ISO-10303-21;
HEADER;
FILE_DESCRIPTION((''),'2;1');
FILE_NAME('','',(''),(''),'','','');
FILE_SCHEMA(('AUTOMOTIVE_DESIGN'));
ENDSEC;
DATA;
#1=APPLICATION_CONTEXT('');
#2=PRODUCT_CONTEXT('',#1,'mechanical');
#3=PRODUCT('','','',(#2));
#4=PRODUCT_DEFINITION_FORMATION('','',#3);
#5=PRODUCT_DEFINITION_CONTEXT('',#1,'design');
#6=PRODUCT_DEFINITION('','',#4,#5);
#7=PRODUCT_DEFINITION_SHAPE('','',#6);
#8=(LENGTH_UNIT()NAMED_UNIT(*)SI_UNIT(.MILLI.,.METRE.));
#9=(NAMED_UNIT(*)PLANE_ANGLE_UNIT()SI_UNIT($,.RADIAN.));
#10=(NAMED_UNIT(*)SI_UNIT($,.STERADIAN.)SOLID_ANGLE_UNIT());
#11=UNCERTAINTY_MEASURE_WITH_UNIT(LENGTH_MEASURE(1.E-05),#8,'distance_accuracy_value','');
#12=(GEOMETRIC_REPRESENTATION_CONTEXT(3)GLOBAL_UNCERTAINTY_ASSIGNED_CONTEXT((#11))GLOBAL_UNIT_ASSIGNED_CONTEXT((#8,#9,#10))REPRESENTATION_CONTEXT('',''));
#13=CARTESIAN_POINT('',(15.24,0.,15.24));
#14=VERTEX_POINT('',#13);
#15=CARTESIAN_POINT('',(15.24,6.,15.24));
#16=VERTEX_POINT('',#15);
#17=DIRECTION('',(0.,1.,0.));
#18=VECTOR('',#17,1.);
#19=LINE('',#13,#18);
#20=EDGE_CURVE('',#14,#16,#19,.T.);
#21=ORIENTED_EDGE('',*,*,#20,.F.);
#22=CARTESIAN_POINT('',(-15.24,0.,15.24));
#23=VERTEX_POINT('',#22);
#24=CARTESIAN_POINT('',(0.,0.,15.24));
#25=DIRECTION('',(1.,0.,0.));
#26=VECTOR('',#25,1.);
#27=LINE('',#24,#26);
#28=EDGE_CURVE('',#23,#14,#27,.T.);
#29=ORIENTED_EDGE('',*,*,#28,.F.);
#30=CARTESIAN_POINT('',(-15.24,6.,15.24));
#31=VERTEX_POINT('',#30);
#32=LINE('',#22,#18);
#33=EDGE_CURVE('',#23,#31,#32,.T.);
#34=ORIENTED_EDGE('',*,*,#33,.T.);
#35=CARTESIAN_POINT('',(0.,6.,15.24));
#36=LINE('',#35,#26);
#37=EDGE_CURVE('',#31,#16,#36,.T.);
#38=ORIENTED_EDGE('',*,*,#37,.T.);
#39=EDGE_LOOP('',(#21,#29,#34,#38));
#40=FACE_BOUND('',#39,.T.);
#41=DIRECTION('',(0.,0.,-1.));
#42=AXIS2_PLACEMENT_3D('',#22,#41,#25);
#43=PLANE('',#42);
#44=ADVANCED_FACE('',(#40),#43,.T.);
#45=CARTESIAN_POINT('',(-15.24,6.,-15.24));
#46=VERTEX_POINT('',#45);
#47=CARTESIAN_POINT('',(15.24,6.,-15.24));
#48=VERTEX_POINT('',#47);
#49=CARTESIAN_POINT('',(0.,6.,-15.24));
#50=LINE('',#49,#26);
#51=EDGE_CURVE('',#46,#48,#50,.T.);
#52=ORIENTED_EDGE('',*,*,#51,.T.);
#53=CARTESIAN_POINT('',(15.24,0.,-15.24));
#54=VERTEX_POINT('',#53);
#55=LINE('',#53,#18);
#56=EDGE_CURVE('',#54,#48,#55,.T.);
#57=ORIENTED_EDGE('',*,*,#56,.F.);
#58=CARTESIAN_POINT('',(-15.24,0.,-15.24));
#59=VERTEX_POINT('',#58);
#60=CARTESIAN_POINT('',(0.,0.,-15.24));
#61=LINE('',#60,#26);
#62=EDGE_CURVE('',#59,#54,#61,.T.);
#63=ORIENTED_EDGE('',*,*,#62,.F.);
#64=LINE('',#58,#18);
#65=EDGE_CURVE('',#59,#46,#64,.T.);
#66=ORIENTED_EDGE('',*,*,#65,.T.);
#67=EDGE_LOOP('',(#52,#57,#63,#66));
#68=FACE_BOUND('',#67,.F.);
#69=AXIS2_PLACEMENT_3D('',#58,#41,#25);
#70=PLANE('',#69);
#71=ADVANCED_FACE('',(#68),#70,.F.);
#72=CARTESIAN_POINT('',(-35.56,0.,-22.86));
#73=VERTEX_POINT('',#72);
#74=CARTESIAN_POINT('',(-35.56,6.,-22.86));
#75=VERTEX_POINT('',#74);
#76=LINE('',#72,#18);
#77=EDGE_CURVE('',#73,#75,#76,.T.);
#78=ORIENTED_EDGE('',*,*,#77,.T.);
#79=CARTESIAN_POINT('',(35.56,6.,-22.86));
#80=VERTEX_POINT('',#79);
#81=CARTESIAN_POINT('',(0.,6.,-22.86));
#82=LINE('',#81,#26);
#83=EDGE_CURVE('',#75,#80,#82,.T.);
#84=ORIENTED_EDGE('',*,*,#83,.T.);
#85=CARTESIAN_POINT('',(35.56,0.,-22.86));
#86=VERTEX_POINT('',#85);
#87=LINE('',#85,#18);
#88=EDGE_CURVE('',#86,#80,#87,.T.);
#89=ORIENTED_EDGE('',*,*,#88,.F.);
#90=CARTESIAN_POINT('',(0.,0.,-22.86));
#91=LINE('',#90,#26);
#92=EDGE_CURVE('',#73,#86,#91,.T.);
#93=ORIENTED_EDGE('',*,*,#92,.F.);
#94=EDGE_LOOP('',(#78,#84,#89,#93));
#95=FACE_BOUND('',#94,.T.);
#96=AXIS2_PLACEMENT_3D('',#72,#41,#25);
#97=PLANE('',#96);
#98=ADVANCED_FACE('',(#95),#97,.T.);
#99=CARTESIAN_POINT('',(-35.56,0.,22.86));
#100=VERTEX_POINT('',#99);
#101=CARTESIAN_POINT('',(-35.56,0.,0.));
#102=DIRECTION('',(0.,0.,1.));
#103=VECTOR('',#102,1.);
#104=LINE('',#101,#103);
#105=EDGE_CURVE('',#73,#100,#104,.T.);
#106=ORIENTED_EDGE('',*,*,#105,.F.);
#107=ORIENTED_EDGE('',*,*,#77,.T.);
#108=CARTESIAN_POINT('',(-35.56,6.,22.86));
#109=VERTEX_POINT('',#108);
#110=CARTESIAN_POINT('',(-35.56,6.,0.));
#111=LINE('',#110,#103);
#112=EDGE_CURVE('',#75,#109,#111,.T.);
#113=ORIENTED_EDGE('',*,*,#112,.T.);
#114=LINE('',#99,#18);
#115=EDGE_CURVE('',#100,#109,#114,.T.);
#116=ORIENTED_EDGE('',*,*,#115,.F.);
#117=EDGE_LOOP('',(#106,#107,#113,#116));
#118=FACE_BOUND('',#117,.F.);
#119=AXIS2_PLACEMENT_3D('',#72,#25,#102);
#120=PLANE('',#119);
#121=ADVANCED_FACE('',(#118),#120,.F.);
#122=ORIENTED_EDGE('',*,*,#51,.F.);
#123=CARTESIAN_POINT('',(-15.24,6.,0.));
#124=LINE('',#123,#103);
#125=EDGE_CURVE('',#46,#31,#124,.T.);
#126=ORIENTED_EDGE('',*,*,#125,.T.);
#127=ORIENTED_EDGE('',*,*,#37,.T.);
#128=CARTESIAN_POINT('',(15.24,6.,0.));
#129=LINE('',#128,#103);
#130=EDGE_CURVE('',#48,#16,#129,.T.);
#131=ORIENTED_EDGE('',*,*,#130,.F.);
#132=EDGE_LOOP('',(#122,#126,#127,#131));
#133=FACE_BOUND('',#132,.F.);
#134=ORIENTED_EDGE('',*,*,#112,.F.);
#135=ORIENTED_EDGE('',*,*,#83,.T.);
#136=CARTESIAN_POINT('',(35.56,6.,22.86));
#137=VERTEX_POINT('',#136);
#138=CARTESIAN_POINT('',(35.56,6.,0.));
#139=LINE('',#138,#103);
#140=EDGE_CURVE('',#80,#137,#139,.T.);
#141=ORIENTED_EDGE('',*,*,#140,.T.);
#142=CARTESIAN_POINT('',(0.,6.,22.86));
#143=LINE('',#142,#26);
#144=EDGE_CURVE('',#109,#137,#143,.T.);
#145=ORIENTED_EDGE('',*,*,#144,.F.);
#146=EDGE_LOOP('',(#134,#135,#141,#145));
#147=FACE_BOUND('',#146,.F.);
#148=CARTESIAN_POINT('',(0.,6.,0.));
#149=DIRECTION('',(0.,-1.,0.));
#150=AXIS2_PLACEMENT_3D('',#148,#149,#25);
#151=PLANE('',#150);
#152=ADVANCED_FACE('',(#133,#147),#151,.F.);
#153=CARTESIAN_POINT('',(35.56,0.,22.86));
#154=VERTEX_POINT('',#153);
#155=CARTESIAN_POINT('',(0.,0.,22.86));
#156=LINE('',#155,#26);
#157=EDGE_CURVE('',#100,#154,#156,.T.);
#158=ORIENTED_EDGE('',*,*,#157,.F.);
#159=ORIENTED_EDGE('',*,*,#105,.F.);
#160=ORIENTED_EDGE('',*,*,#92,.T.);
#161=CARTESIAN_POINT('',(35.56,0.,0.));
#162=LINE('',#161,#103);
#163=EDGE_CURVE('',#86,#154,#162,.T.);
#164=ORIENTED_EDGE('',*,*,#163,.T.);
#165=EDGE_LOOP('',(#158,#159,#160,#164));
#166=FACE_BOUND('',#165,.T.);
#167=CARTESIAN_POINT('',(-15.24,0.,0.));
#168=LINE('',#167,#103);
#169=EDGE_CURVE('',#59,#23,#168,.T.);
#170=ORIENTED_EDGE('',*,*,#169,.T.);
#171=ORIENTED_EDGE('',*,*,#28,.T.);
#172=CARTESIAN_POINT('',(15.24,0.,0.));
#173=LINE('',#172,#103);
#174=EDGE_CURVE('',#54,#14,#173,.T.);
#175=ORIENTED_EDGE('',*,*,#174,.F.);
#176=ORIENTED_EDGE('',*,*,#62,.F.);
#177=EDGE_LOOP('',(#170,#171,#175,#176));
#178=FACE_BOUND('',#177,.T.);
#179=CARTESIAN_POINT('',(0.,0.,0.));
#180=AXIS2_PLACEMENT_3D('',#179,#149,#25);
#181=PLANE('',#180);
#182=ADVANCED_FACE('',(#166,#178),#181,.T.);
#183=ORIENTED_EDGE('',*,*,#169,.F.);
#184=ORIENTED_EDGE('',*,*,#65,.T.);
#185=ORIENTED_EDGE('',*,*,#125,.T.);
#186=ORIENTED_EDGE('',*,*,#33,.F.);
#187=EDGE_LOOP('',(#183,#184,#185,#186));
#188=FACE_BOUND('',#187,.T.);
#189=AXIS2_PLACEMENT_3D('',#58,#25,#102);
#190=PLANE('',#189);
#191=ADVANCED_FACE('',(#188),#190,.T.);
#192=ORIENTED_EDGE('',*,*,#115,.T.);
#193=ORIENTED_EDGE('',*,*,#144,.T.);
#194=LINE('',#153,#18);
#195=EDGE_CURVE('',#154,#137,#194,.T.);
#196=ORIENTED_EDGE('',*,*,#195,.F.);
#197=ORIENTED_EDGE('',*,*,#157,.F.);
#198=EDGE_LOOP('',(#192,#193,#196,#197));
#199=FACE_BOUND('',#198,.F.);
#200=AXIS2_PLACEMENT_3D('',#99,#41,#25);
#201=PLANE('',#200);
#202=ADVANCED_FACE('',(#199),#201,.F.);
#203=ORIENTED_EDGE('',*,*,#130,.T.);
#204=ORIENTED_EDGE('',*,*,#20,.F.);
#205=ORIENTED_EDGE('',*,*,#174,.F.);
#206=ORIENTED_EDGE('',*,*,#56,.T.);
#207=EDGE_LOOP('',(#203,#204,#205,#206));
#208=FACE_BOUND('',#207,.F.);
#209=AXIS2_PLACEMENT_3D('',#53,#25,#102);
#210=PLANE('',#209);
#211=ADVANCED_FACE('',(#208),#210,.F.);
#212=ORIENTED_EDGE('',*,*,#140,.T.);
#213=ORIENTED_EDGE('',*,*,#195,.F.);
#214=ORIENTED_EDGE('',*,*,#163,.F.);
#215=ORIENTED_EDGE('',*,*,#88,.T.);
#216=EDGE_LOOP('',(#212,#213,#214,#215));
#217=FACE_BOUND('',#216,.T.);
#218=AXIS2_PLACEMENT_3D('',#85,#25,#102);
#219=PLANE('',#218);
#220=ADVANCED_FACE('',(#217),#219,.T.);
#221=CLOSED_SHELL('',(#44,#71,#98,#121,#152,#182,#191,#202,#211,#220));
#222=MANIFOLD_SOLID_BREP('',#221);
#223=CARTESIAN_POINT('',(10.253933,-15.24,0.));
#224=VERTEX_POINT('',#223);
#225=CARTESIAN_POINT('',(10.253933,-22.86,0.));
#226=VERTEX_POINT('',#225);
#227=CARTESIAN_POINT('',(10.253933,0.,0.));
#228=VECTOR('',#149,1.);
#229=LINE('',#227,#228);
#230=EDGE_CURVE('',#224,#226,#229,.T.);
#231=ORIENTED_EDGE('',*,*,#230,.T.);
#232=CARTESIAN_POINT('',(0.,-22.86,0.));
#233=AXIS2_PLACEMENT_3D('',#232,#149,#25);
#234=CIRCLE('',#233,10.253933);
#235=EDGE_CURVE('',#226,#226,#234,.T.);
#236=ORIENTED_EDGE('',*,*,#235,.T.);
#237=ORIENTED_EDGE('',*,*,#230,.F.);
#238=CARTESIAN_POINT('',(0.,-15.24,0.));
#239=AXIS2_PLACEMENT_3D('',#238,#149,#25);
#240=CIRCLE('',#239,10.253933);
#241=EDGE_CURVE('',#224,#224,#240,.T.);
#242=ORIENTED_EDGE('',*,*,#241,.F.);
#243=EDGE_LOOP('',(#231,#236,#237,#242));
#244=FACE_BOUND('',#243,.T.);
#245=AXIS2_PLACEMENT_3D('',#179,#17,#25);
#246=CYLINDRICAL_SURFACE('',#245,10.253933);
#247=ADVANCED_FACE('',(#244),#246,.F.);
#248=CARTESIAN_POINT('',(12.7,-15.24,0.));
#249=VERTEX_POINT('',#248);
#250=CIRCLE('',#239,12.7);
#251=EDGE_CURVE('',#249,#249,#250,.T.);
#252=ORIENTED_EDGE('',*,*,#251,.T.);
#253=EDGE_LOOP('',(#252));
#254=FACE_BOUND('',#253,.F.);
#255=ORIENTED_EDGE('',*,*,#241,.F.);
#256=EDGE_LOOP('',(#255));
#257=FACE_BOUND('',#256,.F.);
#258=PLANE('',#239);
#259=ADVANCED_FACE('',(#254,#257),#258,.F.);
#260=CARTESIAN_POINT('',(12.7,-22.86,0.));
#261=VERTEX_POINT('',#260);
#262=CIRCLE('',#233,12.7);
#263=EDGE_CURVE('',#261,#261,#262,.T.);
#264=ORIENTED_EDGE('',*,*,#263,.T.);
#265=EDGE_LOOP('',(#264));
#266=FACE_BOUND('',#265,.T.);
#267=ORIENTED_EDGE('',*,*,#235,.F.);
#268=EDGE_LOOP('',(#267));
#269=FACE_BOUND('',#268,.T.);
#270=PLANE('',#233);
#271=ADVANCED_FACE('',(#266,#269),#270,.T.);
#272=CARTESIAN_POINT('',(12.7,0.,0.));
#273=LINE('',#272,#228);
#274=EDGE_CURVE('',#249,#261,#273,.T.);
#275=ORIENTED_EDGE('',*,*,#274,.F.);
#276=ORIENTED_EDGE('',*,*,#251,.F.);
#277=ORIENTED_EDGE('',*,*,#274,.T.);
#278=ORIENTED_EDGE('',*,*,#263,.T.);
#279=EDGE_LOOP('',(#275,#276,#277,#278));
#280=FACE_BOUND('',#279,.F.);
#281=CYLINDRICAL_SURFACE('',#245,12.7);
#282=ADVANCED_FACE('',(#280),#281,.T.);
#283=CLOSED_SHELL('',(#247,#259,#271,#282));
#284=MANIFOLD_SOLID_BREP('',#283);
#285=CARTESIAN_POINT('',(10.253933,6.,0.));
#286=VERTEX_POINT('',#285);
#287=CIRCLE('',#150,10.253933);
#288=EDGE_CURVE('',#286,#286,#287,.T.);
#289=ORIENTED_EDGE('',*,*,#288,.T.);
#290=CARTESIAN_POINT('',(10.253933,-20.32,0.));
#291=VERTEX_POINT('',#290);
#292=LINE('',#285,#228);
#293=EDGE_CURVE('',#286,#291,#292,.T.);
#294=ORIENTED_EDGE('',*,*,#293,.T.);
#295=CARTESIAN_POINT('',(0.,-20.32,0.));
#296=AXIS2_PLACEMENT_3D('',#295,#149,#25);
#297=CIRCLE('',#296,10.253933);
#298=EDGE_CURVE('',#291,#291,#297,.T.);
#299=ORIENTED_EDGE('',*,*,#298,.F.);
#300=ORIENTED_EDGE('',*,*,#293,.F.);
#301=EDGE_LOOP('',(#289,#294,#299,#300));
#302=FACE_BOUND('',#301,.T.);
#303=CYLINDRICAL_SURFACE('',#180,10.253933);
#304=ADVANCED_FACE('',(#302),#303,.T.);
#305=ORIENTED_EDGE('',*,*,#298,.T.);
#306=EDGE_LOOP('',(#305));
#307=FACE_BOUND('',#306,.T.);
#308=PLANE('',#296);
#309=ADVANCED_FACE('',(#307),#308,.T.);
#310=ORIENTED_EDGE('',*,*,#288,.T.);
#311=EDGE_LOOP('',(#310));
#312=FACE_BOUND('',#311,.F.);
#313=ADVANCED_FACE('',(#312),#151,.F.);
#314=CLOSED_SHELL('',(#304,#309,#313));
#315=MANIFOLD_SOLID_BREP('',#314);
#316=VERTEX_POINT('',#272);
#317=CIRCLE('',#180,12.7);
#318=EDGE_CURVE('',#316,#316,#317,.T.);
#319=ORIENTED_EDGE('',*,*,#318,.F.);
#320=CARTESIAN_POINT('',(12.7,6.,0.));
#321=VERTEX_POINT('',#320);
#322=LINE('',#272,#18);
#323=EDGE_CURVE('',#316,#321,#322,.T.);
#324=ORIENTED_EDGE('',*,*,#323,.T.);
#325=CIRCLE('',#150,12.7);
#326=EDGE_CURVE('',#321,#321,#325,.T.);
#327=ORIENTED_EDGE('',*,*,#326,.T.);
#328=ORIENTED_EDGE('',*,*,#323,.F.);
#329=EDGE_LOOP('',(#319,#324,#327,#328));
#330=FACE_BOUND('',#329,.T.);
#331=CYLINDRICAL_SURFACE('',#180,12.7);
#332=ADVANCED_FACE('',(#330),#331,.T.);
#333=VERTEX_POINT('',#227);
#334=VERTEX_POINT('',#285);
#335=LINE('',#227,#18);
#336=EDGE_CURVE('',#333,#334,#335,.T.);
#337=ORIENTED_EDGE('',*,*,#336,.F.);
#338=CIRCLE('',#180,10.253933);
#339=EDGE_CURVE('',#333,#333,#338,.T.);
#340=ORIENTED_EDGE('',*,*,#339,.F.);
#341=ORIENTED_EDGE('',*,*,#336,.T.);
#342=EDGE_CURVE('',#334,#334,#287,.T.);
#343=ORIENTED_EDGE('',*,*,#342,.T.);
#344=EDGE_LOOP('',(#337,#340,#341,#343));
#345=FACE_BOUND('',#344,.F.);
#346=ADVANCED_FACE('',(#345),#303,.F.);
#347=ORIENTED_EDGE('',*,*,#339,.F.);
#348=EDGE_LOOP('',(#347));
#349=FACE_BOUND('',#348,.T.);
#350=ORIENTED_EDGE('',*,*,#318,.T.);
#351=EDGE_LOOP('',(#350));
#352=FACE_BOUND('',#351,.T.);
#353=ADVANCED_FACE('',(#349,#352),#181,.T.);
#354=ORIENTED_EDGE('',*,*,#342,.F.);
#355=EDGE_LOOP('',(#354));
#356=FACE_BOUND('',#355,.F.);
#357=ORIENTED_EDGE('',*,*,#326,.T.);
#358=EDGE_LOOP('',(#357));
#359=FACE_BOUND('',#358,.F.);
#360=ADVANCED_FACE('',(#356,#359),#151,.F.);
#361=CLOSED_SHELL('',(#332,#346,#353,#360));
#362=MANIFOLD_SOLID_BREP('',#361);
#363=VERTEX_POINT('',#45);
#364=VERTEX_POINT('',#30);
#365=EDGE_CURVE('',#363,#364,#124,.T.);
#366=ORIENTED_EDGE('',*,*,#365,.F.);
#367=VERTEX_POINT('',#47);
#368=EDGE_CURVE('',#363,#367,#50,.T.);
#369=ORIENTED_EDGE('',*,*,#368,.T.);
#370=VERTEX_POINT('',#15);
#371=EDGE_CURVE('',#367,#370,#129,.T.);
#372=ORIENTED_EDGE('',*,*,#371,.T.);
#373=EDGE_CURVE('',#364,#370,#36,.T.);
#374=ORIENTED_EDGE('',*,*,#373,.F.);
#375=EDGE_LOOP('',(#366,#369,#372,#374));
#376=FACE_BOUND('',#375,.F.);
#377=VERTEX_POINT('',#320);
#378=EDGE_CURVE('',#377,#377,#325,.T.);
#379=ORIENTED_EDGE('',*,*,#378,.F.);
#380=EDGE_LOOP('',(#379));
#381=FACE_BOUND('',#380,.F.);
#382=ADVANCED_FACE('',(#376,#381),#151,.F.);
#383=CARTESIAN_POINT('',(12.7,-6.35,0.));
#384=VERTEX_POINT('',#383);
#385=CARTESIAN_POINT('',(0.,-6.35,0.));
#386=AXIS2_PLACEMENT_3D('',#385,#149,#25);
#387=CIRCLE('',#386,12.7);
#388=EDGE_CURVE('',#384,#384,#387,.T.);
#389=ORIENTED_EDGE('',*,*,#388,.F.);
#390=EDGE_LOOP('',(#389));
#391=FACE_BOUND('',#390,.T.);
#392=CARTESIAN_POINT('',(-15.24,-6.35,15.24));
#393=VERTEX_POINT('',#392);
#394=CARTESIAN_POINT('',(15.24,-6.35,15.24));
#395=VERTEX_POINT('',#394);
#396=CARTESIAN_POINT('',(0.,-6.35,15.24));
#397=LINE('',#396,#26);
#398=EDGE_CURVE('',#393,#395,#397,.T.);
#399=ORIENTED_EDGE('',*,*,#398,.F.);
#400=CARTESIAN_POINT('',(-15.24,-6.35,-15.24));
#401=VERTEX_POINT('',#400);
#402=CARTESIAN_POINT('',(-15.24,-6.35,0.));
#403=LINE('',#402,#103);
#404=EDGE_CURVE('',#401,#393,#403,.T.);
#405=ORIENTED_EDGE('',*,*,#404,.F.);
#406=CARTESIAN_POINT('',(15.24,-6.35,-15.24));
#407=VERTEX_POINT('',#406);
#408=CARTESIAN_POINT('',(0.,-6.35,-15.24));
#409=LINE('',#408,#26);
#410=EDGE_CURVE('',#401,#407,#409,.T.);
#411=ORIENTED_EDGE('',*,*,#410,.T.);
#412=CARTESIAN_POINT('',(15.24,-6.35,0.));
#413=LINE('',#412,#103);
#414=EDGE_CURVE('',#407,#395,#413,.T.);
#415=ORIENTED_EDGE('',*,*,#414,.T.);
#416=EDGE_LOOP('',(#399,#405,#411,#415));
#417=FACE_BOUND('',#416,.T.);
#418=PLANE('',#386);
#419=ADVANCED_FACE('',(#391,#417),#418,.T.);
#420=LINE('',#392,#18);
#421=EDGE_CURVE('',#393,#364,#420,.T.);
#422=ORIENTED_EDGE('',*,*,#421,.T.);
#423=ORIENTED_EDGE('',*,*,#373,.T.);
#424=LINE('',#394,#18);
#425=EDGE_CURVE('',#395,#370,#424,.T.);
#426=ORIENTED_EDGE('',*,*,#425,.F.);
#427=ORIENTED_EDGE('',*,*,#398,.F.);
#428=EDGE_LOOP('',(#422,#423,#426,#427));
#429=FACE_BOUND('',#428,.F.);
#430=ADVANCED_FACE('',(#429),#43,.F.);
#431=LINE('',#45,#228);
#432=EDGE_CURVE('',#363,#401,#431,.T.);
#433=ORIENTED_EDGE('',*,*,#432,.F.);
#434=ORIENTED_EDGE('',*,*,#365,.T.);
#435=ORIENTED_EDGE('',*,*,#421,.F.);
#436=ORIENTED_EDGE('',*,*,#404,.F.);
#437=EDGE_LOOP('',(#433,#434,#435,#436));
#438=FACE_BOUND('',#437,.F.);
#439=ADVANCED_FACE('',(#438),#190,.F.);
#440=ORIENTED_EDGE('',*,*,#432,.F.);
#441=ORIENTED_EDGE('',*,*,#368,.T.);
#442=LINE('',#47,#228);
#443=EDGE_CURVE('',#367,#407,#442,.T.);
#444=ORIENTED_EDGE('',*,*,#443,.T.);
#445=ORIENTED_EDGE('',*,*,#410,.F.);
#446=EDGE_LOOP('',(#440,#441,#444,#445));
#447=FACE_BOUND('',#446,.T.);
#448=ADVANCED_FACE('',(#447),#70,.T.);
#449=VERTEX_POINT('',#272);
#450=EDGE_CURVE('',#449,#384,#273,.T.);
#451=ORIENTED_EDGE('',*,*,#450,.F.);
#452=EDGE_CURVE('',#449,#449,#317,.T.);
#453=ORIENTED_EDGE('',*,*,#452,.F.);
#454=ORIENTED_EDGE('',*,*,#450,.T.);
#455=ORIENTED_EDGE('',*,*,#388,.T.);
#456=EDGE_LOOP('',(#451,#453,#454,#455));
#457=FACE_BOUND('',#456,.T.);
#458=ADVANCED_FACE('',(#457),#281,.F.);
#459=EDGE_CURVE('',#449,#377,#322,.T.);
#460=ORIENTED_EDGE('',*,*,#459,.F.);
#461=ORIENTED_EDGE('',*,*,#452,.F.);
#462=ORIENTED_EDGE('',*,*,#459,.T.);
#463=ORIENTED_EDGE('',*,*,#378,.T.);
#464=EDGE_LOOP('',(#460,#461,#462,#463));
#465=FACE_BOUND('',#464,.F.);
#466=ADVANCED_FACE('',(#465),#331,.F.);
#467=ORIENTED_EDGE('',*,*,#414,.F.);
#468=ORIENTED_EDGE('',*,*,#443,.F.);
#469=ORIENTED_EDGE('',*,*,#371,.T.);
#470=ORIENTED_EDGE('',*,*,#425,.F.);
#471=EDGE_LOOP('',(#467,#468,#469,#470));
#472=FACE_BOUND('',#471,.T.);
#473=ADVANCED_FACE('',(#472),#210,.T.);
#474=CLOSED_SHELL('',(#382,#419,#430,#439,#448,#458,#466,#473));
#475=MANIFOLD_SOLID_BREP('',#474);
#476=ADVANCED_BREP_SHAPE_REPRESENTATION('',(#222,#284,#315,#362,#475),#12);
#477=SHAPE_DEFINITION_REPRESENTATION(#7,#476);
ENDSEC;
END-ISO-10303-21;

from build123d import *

# Parameters (mm, degrees)
F0_W          = 71.12
F0_H          = 45.72
F0_W_2        = 30.48
F0_H_2        = 30.48
F1_DEPTH      = 6
F0_R          = 12.7
F2_DEPTH      = 6.35
F2_DEPTH_BACK = 6
F0_R_2        = 10.2539326669
F0_R_3        = 6.985
F3_DEPTH      = 20.32
F3_DEPTH_BACK = 6
F4_DEPTH      = 15.24
F5_DEPTH      = 22.86
F6_DEPTH      = 15.24
F7_DEPTH      = 6


with BuildPart() as f1:
    # F0 (on Front) → F1 (new body)
    with BuildSketch(Plane.XZ):
        Rectangle(F0_W, F0_H)
        Rectangle(F0_W_2, F0_H_2, mode=Mode.SUBTRACT)
    extrude(amount=-F1_DEPTH)

    # F0 (on Front) → F4 (cut)
    with BuildSketch(Plane.XZ):
        Circle(F0_R)
        Circle(F0_R_2, mode=Mode.SUBTRACT)
    extrude(amount=F4_DEPTH, mode=Mode.SUBTRACT)


with BuildPart() as f2:
    # F0 (on Front) → F2 (new body, two sides)
    with BuildSketch(Plane.XZ) as f2_sk:
        Rectangle(F0_W_2, F0_H_2)
        Circle(F0_R, mode=Mode.SUBTRACT)
    extrude(amount=F2_DEPTH)
    extrude(f2_sk.sketch, amount=-F2_DEPTH_BACK)


with BuildPart() as f3:
    # F0 (on Front) → F3 (new body, two sides)
    with BuildSketch(Plane.XZ) as f3_sk:
        Circle(F0_R_2)
        Circle(F0_R_3, mode=Mode.SUBTRACT)
        Circle(F0_R_3)
    extrude(amount=F3_DEPTH)
    extrude(f3_sk.sketch, amount=-F3_DEPTH_BACK)


with BuildPart() as f5:
    # F0 (on Front) → F5 (new body)
    with BuildSketch(Plane.XZ):
        Circle(F0_R)
        Circle(F0_R_2, mode=Mode.SUBTRACT)
    extrude(amount=F5_DEPTH)

    # F0 (on Front) → F6 (cut)
    with BuildSketch(Plane.XZ):
        Circle(F0_R)
        Circle(F0_R_2, mode=Mode.SUBTRACT)
    extrude(amount=F6_DEPTH, mode=Mode.SUBTRACT)


with BuildPart() as f7:
    # F0 (on Front) → F7 (new body, through all)
    with BuildSketch(Plane.XZ):
        Circle(F0_R)
        Circle(F0_R_2, mode=Mode.SUBTRACT)
    extrude(amount=-F7_DEPTH)


solid = Compound([f1.part, f2.part, f3.part, f5.part, f7.part])
